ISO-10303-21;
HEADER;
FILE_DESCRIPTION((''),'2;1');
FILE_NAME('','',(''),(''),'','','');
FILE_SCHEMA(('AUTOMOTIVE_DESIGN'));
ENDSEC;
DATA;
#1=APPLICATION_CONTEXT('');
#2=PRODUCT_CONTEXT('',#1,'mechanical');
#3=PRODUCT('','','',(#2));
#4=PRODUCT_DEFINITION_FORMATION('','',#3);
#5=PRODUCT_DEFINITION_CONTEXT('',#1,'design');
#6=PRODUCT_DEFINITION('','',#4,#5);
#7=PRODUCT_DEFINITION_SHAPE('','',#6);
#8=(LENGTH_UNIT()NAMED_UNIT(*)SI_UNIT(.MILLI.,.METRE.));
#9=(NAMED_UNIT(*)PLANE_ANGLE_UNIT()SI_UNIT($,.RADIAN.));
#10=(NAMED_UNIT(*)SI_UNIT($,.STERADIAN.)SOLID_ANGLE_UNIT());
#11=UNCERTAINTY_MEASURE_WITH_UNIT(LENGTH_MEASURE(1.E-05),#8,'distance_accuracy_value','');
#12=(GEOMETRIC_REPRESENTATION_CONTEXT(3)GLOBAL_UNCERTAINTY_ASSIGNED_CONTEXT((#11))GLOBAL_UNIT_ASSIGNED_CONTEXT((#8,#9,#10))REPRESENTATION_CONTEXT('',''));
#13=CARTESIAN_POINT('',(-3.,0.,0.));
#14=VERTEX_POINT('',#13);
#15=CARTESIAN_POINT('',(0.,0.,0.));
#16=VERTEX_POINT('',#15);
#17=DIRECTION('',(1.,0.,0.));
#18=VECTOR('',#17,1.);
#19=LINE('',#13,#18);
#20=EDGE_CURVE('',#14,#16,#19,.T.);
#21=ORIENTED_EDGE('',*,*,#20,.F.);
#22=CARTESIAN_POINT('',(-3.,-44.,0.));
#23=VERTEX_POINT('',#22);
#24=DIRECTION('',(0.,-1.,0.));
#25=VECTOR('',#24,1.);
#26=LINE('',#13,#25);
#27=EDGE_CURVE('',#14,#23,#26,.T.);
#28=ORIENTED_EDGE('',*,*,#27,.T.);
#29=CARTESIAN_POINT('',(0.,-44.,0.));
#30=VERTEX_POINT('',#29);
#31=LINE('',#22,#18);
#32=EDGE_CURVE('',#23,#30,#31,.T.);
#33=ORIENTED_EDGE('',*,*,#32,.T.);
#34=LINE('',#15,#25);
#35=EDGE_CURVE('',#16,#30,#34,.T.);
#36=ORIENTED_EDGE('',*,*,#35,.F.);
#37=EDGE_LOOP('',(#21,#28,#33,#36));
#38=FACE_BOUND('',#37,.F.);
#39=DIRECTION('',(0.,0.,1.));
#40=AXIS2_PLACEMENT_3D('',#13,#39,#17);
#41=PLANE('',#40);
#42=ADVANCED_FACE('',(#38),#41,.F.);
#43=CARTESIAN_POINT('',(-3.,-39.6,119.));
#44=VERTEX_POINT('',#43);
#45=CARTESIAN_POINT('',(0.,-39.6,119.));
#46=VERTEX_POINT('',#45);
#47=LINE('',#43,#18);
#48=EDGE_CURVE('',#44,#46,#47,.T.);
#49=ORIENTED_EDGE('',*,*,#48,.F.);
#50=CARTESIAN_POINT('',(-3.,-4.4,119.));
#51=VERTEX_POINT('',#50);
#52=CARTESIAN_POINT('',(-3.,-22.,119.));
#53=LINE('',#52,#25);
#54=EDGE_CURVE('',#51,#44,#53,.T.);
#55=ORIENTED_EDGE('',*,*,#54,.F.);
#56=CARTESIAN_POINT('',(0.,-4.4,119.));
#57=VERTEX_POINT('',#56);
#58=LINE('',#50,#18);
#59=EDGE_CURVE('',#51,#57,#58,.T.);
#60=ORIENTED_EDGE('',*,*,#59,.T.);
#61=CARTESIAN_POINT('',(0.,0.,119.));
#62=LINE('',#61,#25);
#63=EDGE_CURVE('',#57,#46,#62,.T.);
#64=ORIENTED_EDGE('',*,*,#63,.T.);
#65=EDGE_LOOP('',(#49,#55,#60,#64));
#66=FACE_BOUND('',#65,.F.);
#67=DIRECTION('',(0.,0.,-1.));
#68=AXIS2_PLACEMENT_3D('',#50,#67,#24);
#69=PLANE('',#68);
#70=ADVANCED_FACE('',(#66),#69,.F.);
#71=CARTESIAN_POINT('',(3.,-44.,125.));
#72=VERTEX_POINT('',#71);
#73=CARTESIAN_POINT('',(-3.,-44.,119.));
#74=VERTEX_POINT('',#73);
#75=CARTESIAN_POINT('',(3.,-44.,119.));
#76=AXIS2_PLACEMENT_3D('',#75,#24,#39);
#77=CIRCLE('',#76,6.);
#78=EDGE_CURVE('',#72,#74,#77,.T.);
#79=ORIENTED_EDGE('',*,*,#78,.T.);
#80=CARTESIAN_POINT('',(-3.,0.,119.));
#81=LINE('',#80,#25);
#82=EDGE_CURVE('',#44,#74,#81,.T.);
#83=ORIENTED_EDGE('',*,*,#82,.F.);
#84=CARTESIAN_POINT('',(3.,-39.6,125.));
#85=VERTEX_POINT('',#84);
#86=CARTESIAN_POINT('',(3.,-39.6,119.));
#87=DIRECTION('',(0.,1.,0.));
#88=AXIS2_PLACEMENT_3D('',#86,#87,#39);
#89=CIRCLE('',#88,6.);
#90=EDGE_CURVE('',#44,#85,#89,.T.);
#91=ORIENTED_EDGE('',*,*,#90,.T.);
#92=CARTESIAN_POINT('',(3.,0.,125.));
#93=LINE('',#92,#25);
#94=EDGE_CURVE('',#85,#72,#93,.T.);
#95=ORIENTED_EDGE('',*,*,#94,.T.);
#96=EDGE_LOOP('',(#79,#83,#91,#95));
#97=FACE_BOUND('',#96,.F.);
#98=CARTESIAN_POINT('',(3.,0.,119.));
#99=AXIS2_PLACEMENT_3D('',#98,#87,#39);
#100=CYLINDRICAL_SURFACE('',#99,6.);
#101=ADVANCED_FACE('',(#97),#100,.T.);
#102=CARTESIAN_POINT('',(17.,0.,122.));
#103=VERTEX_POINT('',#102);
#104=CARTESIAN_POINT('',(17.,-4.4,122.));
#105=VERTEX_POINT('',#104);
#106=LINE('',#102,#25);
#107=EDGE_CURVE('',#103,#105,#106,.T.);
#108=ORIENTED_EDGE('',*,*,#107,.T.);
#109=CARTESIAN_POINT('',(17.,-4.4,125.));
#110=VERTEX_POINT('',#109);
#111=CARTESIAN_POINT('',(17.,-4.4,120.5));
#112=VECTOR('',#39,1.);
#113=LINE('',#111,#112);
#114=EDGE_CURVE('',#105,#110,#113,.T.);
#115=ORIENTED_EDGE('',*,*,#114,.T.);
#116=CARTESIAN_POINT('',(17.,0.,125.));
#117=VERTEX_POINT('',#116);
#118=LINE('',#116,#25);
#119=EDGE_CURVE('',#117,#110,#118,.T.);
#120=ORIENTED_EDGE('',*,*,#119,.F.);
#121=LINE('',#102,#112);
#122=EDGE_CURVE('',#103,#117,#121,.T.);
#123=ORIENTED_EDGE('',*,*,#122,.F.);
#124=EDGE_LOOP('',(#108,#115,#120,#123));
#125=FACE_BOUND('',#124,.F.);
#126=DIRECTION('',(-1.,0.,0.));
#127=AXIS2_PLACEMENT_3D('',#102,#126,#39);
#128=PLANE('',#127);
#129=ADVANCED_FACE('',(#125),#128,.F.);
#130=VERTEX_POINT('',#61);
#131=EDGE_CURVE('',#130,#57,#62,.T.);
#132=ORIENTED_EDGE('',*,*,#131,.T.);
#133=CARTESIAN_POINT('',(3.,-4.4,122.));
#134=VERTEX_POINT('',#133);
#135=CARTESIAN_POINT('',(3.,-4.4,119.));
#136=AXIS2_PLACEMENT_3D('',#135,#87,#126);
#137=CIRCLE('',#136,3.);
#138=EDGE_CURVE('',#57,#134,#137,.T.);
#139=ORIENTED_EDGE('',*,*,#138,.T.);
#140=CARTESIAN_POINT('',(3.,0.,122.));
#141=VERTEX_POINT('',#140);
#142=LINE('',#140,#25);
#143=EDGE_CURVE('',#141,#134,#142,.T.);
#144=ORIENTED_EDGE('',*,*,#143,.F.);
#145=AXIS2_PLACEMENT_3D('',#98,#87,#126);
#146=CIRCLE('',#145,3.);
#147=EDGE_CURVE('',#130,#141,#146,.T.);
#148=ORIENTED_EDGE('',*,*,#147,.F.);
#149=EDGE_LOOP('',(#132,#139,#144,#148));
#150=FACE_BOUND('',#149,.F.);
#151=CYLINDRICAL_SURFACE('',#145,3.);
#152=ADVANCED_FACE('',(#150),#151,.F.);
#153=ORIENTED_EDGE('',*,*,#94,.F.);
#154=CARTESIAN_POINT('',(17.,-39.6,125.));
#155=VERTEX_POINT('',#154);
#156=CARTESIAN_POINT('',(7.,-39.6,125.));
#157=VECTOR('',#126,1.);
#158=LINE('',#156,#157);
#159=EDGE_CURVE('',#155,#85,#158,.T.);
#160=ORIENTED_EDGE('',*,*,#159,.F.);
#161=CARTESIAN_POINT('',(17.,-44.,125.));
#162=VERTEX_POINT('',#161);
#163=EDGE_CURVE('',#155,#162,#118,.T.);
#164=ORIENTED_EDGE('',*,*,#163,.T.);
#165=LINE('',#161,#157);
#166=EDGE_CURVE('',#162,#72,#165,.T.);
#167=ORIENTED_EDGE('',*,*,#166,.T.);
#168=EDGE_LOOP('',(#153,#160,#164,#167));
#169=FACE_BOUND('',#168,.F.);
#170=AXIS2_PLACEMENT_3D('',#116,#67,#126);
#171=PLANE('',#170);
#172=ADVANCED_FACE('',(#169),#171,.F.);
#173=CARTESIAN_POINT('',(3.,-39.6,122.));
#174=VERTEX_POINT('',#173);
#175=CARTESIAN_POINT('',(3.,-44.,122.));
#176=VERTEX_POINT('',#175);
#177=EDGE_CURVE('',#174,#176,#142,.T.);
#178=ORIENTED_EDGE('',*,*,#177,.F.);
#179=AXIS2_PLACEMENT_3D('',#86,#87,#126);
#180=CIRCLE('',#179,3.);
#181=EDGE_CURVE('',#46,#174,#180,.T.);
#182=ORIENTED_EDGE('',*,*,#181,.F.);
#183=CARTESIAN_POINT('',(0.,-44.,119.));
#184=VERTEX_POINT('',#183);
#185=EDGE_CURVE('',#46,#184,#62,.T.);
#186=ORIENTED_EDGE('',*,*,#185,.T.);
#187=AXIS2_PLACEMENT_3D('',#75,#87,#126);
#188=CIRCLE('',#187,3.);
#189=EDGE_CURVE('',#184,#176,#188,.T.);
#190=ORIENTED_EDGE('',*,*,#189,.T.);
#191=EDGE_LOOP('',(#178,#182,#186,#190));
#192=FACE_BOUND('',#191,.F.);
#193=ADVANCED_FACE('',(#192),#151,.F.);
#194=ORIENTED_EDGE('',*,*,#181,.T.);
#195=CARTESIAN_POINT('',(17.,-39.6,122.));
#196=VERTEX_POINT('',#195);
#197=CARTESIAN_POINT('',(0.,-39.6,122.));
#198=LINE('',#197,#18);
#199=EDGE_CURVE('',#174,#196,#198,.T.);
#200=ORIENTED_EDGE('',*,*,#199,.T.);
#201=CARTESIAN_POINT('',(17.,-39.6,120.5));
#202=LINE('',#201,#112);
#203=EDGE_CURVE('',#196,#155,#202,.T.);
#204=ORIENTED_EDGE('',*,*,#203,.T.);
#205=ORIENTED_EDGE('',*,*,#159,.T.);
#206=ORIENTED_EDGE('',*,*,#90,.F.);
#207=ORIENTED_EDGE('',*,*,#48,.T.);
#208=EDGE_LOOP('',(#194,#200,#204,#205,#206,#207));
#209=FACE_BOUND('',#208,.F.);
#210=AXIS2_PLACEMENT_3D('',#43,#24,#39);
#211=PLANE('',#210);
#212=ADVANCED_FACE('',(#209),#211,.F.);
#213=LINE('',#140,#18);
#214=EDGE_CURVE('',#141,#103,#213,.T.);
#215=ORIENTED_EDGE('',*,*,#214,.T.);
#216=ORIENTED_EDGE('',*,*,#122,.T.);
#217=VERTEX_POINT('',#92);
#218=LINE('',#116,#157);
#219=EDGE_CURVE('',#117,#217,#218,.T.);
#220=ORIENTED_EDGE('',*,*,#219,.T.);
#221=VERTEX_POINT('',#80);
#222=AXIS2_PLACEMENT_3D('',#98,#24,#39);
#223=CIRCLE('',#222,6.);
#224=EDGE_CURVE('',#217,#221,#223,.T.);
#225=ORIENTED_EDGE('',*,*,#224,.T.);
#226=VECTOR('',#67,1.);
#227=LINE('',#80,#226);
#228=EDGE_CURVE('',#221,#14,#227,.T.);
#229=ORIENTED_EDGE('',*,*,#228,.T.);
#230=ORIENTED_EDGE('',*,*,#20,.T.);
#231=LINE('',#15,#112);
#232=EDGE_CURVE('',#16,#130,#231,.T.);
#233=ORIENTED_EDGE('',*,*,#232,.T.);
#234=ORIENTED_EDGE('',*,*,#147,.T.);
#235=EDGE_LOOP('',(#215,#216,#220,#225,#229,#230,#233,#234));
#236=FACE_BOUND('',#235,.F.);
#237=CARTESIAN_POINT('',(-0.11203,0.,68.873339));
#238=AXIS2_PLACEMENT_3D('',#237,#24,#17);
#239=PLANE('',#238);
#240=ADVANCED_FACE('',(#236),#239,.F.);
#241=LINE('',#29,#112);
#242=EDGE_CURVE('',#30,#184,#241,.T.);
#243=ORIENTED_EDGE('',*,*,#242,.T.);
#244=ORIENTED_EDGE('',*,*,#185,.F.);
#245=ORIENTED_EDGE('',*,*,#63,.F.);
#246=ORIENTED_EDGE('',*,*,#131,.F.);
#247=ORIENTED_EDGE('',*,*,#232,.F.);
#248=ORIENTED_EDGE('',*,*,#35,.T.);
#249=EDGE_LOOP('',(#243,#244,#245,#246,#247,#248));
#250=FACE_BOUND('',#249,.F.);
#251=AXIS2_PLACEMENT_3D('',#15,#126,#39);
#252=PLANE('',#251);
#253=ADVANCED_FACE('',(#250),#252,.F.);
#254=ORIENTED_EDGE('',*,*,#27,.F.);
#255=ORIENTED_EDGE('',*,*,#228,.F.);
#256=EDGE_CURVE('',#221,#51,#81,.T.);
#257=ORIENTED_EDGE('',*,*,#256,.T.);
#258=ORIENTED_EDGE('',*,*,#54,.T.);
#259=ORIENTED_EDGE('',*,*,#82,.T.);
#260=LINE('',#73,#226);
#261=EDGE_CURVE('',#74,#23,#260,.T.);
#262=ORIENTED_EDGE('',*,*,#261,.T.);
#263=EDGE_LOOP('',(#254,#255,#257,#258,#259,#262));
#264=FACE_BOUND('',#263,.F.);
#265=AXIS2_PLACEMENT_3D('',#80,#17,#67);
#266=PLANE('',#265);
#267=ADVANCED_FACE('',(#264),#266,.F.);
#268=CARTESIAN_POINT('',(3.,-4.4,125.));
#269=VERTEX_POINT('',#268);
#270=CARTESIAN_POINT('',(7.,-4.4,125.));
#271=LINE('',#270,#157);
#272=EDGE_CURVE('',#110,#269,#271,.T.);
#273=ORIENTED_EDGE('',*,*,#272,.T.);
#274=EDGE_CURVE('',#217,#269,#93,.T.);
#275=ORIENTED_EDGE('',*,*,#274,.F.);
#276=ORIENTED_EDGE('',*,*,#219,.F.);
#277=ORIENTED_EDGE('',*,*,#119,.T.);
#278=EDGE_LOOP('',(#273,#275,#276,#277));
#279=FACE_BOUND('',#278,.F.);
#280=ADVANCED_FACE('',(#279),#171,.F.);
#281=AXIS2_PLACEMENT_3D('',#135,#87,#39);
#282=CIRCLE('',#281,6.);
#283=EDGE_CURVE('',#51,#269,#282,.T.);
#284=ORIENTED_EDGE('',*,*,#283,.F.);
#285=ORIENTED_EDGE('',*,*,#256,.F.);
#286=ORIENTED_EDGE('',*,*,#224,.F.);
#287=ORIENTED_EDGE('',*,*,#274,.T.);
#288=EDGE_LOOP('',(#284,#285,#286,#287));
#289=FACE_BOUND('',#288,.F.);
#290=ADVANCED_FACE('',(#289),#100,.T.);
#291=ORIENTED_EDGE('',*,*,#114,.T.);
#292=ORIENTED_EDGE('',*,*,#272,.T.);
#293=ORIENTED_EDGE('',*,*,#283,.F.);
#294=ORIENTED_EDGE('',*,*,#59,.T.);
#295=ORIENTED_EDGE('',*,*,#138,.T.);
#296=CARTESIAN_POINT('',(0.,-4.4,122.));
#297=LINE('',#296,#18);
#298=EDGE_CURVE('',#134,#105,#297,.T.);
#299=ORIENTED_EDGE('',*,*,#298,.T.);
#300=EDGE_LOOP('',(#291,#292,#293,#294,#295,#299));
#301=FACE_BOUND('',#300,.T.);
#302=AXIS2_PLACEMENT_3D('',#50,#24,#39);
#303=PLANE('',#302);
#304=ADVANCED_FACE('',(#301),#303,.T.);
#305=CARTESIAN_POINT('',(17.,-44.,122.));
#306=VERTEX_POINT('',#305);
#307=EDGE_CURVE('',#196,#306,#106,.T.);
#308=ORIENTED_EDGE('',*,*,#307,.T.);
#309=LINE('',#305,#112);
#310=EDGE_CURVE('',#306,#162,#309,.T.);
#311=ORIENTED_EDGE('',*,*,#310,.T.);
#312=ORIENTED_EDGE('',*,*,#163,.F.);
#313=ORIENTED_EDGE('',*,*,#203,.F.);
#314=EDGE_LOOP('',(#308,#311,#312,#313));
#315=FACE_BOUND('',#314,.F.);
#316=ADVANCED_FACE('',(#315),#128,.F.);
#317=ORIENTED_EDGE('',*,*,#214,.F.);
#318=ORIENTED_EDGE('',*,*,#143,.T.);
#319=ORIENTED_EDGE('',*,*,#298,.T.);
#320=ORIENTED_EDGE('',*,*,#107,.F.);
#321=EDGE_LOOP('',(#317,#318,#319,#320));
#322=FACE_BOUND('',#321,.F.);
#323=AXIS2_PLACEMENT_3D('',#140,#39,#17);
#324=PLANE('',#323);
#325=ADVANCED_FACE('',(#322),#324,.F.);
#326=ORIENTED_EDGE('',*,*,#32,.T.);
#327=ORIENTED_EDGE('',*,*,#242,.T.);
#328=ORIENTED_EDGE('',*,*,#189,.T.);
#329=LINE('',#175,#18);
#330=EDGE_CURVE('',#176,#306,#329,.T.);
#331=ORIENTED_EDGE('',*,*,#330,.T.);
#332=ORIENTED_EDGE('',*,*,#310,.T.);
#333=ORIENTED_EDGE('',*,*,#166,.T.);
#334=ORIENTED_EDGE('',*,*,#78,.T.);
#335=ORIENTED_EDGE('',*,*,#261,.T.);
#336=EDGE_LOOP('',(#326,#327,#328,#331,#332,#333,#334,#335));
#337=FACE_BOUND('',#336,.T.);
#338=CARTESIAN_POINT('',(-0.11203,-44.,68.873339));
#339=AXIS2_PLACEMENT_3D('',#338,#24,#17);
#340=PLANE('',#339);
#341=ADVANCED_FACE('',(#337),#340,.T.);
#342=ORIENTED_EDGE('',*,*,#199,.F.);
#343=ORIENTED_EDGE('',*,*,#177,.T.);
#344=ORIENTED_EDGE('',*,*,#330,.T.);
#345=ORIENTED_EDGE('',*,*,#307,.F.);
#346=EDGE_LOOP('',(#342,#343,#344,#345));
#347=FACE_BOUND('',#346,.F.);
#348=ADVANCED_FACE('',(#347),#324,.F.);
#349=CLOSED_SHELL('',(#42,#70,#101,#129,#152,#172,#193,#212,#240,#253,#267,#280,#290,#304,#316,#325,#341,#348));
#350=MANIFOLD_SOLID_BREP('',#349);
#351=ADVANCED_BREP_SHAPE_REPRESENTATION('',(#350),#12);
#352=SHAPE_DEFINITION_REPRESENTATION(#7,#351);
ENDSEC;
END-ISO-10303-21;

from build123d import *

# Parameters (mm, degrees)
F1_DEPTH = 44
F2_W     = 35.2
F2_H     = 20
F3_DEPTH = 20.001


with BuildPart() as f1:
    # F0 (on Front) → F1 (new body)
    with BuildSketch(Plane.XZ):
        with BuildLine():
            Line((-3, 0), (0, 0))
            Line((0, 0), (0, 119))
            ThreePointArc((0, 119), (0.8786796564, 121.1213203436), (3, 122))
            Line((3, 122), (17, 122))
            Line((17, 122), (17, 125))
            Line((17, 125), (3, 125))
            ThreePointArc((3, 125), (-1.2426406871, 123.2426406871), (-3, 119))
            Line((-3, 119), (-3, 0))
        make_face()
    extrude(amount=F1_DEPTH)

    # F2 (on face) → F3 (cut, through all)
    with BuildSketch(Plane(origin=(-3, 0, 0), x_dir=(0, -1, 0), z_dir=(-1, 0, 0))):
        with Locations((22, 129)):
            Rectangle(F2_W, F2_H)
    extrude(amount=-F3_DEPTH, mode=Mode.SUBTRACT)


solid = f1.part
